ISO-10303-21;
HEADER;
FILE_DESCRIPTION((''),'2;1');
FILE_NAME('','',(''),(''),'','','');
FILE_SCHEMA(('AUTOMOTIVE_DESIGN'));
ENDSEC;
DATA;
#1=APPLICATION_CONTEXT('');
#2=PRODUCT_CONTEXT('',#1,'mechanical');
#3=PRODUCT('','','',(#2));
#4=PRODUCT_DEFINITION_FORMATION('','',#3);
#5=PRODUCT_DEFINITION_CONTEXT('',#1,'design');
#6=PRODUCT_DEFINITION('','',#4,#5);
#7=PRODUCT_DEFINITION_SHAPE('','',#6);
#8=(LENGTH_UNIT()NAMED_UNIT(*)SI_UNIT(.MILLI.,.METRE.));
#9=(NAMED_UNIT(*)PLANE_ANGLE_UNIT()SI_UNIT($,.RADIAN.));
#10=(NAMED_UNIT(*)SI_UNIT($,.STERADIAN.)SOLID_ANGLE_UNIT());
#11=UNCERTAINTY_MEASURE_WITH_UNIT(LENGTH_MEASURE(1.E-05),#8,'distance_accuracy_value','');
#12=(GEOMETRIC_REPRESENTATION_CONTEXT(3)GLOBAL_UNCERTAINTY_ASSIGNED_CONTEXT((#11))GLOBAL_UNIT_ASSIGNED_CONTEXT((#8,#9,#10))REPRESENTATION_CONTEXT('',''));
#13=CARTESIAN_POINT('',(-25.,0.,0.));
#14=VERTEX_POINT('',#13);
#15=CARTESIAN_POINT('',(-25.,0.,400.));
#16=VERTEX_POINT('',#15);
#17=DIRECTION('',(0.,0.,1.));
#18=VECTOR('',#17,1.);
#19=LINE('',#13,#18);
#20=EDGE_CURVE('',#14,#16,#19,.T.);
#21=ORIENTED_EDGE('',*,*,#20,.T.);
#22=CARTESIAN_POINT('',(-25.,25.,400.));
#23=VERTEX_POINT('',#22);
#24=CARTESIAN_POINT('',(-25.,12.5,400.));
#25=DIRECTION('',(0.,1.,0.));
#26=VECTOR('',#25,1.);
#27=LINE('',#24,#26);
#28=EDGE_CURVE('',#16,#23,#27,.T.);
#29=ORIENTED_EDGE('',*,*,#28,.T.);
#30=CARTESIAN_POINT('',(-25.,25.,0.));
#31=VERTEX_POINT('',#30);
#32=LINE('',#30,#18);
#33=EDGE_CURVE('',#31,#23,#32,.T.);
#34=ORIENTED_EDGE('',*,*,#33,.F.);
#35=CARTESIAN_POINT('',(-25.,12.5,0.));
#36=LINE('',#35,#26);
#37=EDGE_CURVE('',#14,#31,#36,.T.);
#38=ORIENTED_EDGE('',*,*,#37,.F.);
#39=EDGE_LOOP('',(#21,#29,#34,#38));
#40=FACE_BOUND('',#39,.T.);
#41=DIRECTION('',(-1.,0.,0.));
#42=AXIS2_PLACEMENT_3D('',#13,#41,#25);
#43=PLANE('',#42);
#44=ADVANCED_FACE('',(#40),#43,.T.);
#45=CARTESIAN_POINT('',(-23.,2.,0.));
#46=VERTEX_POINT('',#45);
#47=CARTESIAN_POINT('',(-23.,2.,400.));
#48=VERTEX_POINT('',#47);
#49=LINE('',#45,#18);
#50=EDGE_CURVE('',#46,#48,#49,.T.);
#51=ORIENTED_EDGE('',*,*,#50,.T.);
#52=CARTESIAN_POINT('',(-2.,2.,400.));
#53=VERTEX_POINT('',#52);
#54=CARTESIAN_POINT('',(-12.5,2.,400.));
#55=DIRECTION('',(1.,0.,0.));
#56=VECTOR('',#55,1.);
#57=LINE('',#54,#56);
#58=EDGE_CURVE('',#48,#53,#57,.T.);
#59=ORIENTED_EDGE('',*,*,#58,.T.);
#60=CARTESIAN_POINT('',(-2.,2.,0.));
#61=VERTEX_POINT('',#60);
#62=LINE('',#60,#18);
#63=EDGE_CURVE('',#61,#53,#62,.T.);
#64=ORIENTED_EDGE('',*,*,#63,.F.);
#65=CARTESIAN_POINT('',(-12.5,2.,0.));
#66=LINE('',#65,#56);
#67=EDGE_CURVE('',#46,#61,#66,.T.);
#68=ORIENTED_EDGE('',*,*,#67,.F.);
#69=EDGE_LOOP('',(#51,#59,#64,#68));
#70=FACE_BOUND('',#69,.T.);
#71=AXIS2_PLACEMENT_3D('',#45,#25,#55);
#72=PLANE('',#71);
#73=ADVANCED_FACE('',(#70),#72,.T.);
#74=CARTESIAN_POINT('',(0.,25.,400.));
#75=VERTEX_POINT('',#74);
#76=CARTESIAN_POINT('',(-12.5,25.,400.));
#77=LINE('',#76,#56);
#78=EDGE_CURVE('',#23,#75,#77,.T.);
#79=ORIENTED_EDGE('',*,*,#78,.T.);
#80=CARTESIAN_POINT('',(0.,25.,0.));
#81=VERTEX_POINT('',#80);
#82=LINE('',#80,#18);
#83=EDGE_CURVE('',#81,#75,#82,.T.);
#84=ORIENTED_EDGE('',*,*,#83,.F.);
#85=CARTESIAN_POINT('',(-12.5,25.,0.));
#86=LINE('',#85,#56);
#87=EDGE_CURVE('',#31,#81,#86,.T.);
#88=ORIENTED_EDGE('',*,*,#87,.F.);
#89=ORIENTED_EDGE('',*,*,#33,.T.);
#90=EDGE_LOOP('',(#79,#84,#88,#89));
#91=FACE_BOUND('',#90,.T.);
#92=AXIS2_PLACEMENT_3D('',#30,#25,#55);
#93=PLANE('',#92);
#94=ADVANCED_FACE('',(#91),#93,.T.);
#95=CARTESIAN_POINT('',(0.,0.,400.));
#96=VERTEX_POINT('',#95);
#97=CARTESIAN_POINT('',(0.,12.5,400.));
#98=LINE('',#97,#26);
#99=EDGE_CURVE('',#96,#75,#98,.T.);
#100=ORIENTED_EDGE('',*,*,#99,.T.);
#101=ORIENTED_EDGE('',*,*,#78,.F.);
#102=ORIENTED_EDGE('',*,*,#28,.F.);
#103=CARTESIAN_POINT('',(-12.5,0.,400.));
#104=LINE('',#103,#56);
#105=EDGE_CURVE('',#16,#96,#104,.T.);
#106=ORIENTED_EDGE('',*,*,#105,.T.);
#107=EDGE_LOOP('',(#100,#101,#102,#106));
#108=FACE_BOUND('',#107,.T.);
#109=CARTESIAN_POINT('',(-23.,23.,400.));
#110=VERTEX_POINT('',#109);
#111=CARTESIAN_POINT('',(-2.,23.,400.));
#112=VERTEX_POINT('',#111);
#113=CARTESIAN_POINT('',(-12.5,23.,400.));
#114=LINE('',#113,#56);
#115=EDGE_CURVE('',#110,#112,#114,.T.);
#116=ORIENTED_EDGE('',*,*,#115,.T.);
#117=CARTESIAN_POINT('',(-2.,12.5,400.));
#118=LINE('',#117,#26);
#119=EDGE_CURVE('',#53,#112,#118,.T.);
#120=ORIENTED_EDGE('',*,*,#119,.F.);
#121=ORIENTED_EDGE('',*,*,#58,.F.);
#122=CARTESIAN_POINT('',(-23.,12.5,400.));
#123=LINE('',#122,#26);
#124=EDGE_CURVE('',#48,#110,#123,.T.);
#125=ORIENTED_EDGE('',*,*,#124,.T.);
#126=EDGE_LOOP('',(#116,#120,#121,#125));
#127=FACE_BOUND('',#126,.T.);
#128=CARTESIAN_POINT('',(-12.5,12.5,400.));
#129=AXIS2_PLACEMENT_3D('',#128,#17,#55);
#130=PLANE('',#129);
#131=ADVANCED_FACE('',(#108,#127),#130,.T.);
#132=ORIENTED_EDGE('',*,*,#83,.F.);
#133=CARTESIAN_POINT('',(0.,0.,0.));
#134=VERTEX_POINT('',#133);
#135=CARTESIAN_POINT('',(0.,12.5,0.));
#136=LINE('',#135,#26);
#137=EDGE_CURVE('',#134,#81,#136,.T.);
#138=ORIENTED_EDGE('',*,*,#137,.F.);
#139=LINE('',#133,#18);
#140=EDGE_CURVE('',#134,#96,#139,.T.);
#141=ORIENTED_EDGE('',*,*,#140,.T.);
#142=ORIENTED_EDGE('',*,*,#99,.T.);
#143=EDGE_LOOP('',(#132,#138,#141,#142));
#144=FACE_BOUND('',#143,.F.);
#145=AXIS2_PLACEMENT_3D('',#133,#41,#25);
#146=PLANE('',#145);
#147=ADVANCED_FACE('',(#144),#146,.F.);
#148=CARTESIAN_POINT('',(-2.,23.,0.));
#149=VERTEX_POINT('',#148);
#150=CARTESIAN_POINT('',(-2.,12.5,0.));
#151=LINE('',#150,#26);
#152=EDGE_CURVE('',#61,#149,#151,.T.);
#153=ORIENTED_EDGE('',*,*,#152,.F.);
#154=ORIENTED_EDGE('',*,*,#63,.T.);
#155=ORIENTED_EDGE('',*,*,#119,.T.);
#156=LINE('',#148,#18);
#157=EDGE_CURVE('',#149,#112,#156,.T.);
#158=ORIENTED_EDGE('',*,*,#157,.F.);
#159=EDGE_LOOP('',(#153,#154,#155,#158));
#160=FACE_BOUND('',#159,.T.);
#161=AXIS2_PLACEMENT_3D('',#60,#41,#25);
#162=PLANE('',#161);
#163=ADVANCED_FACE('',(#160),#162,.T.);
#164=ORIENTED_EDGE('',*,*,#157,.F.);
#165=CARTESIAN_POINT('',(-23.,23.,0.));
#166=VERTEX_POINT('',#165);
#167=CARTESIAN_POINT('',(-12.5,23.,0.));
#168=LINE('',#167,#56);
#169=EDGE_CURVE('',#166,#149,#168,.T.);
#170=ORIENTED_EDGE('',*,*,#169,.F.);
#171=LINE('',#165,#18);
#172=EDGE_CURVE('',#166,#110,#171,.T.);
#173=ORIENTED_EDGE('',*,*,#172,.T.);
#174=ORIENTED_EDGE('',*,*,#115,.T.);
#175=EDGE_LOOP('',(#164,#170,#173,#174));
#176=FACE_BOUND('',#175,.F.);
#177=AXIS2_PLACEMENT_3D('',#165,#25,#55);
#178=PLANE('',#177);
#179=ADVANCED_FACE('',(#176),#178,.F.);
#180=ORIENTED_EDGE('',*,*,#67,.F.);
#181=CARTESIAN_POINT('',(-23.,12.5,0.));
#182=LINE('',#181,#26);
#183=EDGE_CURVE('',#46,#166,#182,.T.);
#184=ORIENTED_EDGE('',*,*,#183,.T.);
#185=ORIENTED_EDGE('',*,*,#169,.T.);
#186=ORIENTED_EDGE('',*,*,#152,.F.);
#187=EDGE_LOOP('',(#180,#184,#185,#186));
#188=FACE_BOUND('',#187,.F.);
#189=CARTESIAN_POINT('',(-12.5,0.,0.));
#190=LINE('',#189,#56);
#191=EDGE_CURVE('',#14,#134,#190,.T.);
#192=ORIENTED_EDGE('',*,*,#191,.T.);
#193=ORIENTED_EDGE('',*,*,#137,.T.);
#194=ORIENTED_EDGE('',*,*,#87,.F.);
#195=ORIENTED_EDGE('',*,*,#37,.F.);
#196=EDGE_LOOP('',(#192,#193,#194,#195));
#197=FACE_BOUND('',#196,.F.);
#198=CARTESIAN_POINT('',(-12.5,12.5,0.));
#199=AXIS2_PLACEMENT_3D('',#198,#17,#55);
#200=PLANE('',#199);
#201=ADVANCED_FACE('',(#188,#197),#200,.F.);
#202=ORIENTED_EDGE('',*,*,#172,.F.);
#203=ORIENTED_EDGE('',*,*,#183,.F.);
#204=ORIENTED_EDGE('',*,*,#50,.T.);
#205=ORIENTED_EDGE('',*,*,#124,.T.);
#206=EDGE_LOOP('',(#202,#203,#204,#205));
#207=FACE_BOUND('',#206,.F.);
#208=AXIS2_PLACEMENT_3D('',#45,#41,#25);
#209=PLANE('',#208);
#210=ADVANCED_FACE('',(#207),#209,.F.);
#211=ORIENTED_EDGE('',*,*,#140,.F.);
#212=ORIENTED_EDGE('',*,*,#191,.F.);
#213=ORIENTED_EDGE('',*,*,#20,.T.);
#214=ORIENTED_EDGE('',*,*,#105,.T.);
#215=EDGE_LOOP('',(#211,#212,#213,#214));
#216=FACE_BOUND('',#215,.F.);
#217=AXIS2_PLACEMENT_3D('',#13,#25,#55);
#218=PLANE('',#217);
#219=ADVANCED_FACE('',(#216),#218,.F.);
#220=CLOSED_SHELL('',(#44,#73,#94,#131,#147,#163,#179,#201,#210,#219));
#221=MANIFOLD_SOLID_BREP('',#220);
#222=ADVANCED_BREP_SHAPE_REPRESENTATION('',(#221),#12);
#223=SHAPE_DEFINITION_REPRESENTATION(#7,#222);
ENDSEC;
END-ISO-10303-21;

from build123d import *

# Parameters (mm, degrees)
SKETCH_W   = 25
SKETCH_H   = 25
SKETCH_W_2 = 21
SKETCH_H_2 = 21
PAD_DEPTH  = 400


with BuildPart() as part:
    # Sketch → Pad (new body)
    with BuildSketch(Plane.XY):
        with Locations((-12.5, 12.5)):
            Rectangle(SKETCH_W, SKETCH_H)
        with Locations((-12.5, 12.5)):
            Rectangle(SKETCH_W_2, SKETCH_H_2, mode=Mode.SUBTRACT)
    extrude(amount=PAD_DEPTH)


solid = part.part
